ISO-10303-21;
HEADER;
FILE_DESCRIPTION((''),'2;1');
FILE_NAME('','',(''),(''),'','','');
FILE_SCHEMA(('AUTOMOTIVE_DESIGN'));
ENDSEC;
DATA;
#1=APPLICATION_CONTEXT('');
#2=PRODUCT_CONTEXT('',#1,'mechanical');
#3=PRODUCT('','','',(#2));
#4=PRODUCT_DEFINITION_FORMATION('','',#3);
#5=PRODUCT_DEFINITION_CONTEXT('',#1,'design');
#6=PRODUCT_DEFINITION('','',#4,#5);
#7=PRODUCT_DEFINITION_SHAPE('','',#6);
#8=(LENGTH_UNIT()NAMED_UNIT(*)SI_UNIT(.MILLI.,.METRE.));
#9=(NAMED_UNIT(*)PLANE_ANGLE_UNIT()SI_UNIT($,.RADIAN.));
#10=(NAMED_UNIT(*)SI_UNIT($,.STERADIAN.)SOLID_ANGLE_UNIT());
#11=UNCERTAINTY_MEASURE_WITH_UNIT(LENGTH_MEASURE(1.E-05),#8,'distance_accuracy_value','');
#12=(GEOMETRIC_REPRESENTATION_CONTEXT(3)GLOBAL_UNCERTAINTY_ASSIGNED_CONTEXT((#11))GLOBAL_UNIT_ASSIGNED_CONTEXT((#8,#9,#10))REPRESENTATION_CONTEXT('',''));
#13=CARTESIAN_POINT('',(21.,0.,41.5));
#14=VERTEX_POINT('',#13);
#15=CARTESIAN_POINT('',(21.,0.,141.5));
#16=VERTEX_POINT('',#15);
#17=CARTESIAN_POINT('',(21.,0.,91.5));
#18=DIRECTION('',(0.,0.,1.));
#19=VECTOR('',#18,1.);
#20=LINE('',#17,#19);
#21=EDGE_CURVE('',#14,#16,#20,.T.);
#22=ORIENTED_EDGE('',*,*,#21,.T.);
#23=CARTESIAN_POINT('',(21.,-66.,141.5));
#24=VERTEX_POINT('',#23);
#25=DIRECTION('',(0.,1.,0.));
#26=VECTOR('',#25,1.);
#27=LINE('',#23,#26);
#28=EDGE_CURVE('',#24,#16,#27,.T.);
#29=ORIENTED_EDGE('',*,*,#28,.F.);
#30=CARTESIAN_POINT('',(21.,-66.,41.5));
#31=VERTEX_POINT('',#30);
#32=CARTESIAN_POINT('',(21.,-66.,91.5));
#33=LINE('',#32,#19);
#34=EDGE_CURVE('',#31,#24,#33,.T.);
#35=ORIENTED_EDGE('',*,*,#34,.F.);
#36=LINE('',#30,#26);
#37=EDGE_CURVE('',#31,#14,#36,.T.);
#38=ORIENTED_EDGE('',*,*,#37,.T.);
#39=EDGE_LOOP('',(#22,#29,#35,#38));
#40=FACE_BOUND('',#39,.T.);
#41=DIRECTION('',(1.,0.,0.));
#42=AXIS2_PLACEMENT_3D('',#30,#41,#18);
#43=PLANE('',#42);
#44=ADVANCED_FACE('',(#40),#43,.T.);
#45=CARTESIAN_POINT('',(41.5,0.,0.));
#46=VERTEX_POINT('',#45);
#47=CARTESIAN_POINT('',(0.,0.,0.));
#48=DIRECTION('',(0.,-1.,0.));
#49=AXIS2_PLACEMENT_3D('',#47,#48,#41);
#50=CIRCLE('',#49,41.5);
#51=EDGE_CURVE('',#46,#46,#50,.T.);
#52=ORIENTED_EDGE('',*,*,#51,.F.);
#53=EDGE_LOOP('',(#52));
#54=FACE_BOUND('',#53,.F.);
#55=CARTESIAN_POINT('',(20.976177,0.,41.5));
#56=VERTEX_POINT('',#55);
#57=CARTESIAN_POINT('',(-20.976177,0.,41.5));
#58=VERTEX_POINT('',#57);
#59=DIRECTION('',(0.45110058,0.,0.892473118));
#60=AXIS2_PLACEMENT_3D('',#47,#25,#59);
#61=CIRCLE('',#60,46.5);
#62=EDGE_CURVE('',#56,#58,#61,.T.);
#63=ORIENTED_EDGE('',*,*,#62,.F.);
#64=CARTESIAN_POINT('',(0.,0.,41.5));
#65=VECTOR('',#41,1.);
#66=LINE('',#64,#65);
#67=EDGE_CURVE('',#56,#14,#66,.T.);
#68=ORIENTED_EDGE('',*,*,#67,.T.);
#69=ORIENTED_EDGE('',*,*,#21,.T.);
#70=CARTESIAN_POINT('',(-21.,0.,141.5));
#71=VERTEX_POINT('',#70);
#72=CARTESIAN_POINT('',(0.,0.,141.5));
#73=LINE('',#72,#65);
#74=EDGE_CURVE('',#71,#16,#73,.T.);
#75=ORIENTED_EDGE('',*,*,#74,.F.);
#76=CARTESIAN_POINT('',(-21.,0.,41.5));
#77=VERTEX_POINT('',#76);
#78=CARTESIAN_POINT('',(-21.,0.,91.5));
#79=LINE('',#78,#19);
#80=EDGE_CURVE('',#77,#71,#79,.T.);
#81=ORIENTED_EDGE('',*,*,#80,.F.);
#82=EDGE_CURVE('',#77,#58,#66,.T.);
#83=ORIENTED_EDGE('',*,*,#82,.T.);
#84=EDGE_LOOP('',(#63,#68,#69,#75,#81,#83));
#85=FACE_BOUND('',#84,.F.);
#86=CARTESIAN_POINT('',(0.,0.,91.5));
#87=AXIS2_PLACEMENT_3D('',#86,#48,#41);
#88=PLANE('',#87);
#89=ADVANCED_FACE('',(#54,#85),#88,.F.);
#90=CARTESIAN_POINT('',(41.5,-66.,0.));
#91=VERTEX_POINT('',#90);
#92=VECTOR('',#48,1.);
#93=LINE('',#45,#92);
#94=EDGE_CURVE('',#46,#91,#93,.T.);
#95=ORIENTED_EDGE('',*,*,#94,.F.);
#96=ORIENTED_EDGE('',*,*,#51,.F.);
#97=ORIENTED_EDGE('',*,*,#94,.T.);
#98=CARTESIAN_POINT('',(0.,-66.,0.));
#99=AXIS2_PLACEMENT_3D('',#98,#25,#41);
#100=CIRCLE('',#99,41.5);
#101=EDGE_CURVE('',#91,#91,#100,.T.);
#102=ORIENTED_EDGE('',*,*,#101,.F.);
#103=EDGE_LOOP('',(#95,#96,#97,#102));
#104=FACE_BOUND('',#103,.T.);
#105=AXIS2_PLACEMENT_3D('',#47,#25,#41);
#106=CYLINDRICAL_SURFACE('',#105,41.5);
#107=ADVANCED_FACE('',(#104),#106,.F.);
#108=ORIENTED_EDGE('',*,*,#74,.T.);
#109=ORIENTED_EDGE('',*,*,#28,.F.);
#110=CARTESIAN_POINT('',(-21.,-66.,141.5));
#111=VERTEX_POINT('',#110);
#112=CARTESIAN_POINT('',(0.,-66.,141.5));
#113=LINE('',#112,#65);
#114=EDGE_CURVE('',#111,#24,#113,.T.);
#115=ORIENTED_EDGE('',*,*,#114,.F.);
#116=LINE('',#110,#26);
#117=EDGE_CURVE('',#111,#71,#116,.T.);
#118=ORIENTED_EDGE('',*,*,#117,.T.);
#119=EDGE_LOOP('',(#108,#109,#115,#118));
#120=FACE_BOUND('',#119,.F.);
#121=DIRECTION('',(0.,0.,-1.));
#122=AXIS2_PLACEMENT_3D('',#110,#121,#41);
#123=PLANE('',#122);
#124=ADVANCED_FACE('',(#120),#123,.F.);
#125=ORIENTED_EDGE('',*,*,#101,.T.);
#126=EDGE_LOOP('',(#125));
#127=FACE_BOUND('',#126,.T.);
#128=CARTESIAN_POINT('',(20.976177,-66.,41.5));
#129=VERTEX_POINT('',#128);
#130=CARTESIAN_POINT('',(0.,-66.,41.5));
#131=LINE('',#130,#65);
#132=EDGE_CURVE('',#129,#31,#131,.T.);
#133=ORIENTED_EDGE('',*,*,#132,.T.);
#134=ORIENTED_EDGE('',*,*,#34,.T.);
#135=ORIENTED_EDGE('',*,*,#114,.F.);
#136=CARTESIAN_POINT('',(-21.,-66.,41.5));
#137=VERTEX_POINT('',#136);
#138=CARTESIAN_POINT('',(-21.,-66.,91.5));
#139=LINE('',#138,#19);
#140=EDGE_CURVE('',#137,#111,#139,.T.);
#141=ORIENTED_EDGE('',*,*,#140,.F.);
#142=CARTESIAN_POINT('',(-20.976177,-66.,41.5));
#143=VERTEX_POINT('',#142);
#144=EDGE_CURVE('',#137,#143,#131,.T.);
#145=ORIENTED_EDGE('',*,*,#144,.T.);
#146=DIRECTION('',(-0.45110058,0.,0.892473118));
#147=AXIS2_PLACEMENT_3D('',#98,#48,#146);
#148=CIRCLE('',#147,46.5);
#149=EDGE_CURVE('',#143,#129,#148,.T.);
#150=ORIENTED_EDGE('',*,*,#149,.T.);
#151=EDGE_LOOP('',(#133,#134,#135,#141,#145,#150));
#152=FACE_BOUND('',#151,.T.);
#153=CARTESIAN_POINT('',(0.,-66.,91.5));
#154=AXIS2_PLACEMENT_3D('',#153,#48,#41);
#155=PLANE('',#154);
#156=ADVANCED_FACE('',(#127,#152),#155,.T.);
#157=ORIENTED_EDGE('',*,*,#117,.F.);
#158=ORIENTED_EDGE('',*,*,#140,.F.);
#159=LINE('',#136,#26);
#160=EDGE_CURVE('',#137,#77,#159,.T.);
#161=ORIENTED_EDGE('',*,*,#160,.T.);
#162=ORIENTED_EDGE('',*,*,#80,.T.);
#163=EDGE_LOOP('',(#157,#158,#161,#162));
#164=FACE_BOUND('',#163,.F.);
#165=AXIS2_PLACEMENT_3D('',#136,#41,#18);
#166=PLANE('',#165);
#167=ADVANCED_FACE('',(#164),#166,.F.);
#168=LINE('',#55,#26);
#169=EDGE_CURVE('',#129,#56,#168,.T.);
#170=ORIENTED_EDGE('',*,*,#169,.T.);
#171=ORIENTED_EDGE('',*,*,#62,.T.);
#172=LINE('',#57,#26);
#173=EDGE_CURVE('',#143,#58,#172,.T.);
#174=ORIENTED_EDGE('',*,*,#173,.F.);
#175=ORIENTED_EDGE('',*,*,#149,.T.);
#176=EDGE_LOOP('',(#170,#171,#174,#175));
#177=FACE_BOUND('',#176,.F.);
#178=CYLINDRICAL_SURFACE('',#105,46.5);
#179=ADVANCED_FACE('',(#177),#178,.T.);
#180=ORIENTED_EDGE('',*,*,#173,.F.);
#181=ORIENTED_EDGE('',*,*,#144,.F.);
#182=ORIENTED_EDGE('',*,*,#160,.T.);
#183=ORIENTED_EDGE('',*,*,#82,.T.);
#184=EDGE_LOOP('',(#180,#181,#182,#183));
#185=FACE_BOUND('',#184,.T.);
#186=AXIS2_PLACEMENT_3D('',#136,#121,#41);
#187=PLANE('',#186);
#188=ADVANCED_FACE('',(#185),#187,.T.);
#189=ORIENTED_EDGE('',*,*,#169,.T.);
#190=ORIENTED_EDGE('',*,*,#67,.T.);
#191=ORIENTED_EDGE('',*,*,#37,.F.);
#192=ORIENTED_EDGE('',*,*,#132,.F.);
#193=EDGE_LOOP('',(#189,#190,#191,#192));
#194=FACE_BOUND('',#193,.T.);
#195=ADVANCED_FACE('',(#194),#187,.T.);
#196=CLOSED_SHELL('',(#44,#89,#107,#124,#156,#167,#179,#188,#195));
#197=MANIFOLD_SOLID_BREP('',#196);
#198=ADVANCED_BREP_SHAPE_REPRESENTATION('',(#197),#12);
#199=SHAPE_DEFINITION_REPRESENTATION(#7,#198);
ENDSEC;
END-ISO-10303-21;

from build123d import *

# Parameters (mm, degrees)
F0_R     = 46.5
F0_R_2   = 41.5
F1_DEPTH = 66
F3_W     = 42
F3_H     = 100
F4_DEPTH = 66


with BuildPart() as f1:
    # F0 (on Front) → F1 (new body)
    with BuildSketch(Plane.XZ):
        Circle(F0_R)
        Circle(F0_R_2, mode=Mode.SUBTRACT)
    extrude(amount=F1_DEPTH)

    # F3 (on offset) → F4 (join)
    with BuildSketch(Plane.XZ.offset(66)):
        with Locations((0, 91.5)):
            Rectangle(F3_W, F3_H)
    extrude(amount=-F4_DEPTH)


solid = f1.part
